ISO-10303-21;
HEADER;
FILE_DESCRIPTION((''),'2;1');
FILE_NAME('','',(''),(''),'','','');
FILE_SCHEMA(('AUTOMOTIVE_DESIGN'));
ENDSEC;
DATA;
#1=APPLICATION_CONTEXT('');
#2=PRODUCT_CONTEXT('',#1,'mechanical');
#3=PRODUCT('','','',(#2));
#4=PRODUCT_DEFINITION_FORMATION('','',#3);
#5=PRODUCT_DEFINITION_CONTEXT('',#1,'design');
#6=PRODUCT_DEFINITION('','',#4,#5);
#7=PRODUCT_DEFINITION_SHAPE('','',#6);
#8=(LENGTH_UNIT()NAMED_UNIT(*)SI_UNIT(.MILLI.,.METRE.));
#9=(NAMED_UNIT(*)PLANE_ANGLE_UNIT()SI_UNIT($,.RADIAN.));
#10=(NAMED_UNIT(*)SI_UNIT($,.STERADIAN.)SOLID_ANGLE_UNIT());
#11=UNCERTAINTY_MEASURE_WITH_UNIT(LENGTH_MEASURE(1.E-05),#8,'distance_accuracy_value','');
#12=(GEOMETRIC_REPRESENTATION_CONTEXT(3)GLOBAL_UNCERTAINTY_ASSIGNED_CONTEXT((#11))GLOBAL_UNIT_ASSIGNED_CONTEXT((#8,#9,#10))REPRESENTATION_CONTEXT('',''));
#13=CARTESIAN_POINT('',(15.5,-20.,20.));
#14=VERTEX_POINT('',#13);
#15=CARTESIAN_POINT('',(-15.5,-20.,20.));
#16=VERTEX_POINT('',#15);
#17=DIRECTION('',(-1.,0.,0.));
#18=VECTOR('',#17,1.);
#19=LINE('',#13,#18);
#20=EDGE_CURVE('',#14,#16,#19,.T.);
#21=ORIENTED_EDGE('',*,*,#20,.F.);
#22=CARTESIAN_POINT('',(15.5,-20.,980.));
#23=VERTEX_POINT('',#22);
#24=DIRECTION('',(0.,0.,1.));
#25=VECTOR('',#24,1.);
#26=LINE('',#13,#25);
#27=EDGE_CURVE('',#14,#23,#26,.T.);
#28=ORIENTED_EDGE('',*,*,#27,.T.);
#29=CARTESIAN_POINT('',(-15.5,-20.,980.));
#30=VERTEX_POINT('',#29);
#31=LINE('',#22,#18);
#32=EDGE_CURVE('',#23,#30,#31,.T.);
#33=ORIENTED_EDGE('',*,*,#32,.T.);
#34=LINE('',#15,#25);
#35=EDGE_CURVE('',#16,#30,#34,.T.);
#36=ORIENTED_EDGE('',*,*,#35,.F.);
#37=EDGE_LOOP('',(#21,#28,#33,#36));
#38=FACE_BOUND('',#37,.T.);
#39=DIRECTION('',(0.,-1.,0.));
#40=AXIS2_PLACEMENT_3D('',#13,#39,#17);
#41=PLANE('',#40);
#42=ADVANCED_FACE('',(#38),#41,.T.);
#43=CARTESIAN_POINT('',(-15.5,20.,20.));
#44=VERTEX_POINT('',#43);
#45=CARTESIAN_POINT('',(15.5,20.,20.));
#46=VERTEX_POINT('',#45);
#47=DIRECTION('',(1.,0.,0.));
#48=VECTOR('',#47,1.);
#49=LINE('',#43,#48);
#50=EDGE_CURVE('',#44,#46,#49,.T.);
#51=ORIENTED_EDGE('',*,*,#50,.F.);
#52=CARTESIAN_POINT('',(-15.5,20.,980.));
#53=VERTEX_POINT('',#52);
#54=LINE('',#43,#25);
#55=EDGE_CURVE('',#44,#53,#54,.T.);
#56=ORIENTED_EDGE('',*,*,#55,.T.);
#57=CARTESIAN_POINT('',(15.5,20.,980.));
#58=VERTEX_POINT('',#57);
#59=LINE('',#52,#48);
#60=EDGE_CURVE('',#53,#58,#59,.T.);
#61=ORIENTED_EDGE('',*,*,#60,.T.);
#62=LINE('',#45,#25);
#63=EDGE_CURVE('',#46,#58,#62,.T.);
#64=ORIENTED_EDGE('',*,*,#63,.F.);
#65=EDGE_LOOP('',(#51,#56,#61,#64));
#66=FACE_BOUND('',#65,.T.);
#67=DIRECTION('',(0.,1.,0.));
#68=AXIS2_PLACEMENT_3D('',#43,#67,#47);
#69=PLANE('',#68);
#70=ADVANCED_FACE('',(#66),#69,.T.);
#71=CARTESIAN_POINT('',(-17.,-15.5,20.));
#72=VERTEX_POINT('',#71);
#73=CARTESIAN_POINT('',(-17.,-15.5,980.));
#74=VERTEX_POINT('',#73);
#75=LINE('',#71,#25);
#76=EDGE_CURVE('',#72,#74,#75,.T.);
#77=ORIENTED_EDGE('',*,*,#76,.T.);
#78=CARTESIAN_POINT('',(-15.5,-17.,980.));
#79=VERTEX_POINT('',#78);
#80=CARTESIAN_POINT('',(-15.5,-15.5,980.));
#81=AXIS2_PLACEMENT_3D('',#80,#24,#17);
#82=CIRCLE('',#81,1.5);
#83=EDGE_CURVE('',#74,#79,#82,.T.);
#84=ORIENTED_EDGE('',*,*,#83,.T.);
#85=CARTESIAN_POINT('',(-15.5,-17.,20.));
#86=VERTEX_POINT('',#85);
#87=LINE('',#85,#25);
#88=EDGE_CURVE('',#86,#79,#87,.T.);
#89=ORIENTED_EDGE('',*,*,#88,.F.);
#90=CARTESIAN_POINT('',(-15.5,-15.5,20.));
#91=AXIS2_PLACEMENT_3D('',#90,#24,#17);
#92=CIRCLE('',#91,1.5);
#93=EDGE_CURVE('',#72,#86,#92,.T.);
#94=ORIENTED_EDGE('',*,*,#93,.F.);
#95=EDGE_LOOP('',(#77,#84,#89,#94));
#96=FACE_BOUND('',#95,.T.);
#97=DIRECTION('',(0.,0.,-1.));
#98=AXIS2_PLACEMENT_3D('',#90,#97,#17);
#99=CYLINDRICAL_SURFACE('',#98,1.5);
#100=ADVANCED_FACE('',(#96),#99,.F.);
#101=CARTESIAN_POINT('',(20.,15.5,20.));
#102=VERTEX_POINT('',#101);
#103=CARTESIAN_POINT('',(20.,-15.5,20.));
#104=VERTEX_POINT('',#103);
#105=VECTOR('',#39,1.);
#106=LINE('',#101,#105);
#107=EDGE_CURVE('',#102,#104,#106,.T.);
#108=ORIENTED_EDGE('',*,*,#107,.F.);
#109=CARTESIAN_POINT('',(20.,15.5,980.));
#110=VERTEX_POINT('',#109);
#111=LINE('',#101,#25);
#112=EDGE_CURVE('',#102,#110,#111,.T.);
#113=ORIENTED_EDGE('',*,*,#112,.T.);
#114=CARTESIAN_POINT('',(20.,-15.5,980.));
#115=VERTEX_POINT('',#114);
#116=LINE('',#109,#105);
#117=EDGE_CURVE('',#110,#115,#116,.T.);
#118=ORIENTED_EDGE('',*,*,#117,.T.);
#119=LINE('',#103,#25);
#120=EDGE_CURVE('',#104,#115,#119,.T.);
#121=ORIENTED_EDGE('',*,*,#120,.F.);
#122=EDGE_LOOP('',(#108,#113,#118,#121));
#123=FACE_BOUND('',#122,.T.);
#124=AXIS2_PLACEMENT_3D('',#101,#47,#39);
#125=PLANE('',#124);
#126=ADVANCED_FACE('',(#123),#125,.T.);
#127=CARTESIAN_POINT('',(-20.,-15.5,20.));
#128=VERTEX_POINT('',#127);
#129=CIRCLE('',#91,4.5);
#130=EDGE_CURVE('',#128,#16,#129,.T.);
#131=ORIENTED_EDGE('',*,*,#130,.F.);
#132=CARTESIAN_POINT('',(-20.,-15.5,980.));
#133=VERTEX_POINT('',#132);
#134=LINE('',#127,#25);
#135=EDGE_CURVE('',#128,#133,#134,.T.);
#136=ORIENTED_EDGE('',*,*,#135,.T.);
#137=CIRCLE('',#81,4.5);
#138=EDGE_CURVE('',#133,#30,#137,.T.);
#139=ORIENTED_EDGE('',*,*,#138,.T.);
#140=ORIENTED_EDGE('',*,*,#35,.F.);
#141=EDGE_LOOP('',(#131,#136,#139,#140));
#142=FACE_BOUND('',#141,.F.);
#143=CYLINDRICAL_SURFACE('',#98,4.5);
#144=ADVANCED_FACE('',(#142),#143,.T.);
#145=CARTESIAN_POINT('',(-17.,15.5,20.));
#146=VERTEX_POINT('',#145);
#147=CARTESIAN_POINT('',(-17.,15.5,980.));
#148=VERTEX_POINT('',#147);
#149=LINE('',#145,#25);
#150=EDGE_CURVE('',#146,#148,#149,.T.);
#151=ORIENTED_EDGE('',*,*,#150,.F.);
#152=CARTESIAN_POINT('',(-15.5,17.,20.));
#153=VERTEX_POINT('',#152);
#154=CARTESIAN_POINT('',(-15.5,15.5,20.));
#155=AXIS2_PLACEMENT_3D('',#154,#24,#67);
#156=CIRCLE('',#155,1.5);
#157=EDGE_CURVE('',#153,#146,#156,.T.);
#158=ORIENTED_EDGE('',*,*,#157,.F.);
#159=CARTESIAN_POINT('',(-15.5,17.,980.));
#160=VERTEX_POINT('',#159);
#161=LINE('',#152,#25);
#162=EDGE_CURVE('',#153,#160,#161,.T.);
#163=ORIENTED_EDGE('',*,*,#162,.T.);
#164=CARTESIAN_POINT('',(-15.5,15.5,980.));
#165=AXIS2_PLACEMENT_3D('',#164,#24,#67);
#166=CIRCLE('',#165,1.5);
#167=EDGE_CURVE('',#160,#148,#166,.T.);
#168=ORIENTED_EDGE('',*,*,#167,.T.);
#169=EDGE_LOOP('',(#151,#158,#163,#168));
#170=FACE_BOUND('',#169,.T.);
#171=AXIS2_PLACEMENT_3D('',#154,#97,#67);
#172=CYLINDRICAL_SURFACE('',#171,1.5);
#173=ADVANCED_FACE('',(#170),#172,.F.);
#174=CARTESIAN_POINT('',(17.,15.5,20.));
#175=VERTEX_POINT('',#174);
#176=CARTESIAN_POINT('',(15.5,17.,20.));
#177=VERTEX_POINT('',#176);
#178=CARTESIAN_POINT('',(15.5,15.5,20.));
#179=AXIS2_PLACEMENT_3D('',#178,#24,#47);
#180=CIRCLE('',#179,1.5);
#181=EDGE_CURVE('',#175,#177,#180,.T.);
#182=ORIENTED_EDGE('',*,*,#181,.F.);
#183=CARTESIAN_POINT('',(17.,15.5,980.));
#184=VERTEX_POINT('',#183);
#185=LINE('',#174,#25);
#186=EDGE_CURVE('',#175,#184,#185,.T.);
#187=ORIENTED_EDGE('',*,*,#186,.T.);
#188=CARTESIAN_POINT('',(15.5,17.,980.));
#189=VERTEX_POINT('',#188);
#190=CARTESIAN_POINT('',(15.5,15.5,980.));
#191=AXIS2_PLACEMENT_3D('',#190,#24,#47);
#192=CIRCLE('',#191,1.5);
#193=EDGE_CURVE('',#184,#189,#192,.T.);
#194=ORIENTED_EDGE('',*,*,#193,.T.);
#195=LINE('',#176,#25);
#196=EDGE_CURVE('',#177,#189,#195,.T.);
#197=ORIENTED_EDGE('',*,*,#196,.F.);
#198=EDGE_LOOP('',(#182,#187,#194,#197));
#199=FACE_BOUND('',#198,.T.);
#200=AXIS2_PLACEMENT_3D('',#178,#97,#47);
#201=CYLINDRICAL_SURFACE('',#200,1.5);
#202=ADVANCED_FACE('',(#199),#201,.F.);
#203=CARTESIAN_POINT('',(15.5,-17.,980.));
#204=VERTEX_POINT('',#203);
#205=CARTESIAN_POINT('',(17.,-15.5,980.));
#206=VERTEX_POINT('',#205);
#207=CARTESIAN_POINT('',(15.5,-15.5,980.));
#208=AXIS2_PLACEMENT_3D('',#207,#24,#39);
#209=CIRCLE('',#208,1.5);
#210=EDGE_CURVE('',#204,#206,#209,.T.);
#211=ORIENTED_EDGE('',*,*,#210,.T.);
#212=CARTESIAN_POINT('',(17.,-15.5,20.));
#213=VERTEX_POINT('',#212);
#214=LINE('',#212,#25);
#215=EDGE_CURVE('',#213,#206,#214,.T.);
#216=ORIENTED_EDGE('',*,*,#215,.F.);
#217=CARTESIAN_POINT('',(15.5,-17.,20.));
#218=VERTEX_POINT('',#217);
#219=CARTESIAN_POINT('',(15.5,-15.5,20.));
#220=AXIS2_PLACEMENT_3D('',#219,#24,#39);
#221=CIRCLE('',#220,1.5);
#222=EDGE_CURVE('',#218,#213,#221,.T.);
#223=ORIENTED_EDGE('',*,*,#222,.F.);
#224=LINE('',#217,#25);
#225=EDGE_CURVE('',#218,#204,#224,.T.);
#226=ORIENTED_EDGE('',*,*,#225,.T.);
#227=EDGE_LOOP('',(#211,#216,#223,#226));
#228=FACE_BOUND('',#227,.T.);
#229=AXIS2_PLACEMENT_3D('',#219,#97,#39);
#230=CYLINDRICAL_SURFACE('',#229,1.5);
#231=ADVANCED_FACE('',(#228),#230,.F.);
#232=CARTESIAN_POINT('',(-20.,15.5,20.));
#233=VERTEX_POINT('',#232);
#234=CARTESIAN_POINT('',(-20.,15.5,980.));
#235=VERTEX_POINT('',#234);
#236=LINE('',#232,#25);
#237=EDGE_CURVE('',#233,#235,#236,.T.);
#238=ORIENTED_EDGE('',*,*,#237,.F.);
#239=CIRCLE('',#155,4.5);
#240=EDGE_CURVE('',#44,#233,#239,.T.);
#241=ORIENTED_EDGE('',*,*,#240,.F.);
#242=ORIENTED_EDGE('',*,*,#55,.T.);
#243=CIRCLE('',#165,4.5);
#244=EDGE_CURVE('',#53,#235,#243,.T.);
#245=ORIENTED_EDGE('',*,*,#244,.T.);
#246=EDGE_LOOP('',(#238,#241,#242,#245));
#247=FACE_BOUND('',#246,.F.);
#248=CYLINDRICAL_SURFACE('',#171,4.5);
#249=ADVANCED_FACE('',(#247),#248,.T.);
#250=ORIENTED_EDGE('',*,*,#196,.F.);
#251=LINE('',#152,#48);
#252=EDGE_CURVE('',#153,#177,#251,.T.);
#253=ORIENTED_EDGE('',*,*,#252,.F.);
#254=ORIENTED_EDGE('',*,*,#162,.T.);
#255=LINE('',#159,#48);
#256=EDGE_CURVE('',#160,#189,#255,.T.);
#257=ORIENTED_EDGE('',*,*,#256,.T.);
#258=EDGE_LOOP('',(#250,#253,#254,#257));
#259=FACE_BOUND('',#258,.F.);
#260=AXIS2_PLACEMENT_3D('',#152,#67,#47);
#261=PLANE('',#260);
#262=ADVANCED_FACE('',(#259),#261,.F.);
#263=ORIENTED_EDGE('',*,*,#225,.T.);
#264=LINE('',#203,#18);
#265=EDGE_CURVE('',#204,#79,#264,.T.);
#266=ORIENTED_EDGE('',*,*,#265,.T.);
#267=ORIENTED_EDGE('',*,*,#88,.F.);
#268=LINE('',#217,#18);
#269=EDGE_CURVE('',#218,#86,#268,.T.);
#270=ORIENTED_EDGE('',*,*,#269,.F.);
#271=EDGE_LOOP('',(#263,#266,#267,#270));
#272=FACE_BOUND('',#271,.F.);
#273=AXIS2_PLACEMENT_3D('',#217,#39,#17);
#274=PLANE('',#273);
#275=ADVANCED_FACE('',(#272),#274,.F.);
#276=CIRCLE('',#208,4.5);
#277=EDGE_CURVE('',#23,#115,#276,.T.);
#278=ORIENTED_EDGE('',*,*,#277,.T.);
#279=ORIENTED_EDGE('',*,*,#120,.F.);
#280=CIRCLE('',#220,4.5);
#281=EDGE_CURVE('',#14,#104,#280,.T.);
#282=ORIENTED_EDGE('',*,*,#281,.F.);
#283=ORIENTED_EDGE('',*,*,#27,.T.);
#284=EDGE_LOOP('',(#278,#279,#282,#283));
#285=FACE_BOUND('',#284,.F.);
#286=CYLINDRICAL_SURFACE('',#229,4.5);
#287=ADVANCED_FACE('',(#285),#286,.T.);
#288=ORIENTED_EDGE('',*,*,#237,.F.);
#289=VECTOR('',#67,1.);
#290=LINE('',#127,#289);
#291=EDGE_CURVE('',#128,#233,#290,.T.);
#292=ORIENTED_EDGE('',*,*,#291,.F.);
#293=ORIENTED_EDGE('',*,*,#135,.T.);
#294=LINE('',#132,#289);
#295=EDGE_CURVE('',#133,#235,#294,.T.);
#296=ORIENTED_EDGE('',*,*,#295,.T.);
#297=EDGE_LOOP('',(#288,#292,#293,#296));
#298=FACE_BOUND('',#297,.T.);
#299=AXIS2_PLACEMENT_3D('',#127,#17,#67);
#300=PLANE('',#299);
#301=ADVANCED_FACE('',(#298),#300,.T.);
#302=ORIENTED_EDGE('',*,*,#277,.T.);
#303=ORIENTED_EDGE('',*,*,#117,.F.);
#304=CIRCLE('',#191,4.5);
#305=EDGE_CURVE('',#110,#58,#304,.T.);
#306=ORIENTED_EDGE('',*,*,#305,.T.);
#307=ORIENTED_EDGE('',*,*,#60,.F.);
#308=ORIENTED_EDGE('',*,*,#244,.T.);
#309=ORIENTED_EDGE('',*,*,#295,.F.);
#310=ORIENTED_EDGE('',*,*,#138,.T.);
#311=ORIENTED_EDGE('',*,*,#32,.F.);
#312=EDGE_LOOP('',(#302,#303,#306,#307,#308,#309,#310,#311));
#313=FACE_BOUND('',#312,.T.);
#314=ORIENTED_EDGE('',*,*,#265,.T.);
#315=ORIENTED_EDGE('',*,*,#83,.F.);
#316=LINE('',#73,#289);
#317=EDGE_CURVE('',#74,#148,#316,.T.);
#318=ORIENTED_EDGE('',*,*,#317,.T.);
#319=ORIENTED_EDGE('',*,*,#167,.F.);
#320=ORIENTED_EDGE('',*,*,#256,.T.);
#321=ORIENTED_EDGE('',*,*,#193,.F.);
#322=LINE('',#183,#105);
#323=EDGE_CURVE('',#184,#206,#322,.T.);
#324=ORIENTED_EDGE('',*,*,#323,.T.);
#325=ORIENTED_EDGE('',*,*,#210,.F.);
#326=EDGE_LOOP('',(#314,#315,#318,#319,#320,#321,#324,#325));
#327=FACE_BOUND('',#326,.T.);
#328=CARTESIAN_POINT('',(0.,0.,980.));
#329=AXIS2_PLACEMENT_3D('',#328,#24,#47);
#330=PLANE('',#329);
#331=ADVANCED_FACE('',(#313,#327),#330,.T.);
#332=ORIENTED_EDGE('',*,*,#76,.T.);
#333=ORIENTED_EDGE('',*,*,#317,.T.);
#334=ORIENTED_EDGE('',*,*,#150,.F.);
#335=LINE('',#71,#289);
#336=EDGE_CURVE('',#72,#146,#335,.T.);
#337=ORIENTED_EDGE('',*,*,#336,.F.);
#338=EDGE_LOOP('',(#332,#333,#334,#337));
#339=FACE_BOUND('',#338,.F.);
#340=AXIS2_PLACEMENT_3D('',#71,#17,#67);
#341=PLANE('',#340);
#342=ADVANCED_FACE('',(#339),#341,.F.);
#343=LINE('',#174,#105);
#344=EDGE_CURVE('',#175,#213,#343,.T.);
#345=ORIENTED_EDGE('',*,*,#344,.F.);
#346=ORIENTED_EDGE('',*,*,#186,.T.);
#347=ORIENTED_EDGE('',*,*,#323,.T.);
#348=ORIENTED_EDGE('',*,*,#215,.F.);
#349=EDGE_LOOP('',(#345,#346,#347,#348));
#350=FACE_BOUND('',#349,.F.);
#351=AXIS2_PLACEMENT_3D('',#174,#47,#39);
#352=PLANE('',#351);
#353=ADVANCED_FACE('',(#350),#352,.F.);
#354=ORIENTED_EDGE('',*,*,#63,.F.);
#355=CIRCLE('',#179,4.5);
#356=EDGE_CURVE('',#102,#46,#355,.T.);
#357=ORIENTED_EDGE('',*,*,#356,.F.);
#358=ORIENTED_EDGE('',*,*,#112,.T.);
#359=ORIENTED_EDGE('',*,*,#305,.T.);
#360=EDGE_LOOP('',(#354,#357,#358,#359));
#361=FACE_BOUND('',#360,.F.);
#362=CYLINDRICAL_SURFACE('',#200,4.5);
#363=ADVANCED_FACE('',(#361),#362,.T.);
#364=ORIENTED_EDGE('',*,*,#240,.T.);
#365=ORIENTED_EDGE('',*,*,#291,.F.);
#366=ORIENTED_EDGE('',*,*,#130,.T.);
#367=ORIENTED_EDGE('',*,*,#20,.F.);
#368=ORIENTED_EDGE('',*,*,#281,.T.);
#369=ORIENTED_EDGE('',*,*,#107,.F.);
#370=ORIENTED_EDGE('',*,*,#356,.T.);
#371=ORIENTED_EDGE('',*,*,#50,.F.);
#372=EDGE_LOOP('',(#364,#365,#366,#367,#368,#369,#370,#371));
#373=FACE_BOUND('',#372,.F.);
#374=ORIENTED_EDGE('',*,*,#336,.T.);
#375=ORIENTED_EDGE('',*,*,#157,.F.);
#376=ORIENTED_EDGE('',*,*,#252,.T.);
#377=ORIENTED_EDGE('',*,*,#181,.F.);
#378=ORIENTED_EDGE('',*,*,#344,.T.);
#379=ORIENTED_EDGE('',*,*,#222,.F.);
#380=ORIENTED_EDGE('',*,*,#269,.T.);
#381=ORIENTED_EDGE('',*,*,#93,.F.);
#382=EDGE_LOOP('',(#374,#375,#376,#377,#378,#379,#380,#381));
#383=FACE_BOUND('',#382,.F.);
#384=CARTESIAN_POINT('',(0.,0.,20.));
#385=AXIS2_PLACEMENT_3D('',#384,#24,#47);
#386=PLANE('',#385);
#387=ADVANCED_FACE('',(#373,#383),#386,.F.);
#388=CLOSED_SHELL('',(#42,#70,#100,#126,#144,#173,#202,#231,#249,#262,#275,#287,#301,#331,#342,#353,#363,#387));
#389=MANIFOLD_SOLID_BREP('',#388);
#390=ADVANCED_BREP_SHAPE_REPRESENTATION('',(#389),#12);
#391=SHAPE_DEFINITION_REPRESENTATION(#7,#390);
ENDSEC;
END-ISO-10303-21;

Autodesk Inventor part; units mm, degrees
ref_plane "Start Plane" through (0, 0, 20) normal (0, 0, 1) x (1, 0, 0)
ref_plane "End Plane" through (0, 0, 980) normal (0, 0, 1) x (1, 0, 0)
sketch "Sketch" plane through (0, 0, 0) normal (0, 0, 1) x (1, 0, 0)
  line L0 (-20, -15.5) -> (-20, 15.5)
  line L1 (-15.5, 20) -> (15.5, 20)
  line L2 (20, 15.5) -> (20, -15.5)
  line L3 (15.5, -20) -> (-15.5, -20)
  arc A0 (-20, -15.5) -> (-15.5, -20) centre (-15.5, -15.5) ccw
  arc A1 (-15.5, 20) -> (-20, 15.5) centre (-15.5, 15.5) ccw
  arc A2 (20, 15.5) -> (15.5, 20) centre (15.5, 15.5) ccw
  arc A3 (15.5, -20) -> (20, -15.5) centre (15.5, -15.5) ccw
  arc A4 (-15.5, 17) -> (-17, 15.5) centre (-15.5, 15.5) ccw
  line L4 (-15.5, 17) -> (15.5, 17)
  arc A5 (17, 15.5) -> (15.5, 17) centre (15.5, 15.5) ccw
  line L5 (17, 15.5) -> (17, -15.5)
  arc A6 (15.5, -17) -> (17, -15.5) centre (15.5, -15.5) ccw
  line L6 (15.5, -17) -> (-15.5, -17)
  arc A7 (-17, -15.5) -> (-15.5, -17) centre (-15.5, -15.5) ccw
  line L7 (-17, -15.5) -> (-17, 15.5)
  line L8 (0, 29.3048) -> (0, -29.3048) construction
  line L9 (-29.3048, 0) -> (29.3048, 0) construction
  dimension "d7" = 4.5
  dimension "d10" = 40
  dimension "d11" = 40
  dimension "d12" = 3
  dimension "d15" = 20
  dimension "d16" = 20
extrude "Body" add sketch "Sketch" along normal up to surface (960 mm away) from surface at 20
sketch "Sketch3" plane through (0, 0, 0) normal (0, 0, 1) x (1, 0, 0)
  line L0 (0, 0) -> (10, 0)
ref_plane "Work Plane3" through (0, 0, 0) normal (0, -1, 0) x (1, 0, 0)
ref_plane "Work Plane4" through (-15.5, -720, 980) normal (0, 0, 1) x (1, 0, 0)
split "Split1" plane through (-15.5, -720, 980) removes the side toward (0, 0, 1)
ref_plane "Work Plane5" through (15.5, -720, 20) normal (0, 0, -1) x (-1, 0, 0)
split "Split2" plane through (15.5, -720, 20) removes the side toward (0, 0, -1)
sketch "Sketch4" plane through (0, 0, 0) normal (0, -1, 0) x (1, 0, 0)
  line L0 (-2, 20) -> (12, 20) projected
  line L1 (-2, 980) -> (12, 980) projected
  dimension "d18" = 960
equation "\"d7\" = G_IR"
equation "\"d10\" = G_H"
equation "\"d11\" = G_W"
equation "\"d12\" = G_T"
equation "\"d15\" = 0.5 * d10"
equation "\"d16\" = 0.5 * d11"
equation "\"d3\" = G_L"
equation "\"G_W\" = 40"
equation "\"G_H\" = 40"
equation "\"G_T\" = 3"
equation "\"G_IR\" = 4.5"
equation "\"G_L\" = d18"
properties part number "ISO 12633-2 - 40x40x3 - 960" material "Steel, Mild"
